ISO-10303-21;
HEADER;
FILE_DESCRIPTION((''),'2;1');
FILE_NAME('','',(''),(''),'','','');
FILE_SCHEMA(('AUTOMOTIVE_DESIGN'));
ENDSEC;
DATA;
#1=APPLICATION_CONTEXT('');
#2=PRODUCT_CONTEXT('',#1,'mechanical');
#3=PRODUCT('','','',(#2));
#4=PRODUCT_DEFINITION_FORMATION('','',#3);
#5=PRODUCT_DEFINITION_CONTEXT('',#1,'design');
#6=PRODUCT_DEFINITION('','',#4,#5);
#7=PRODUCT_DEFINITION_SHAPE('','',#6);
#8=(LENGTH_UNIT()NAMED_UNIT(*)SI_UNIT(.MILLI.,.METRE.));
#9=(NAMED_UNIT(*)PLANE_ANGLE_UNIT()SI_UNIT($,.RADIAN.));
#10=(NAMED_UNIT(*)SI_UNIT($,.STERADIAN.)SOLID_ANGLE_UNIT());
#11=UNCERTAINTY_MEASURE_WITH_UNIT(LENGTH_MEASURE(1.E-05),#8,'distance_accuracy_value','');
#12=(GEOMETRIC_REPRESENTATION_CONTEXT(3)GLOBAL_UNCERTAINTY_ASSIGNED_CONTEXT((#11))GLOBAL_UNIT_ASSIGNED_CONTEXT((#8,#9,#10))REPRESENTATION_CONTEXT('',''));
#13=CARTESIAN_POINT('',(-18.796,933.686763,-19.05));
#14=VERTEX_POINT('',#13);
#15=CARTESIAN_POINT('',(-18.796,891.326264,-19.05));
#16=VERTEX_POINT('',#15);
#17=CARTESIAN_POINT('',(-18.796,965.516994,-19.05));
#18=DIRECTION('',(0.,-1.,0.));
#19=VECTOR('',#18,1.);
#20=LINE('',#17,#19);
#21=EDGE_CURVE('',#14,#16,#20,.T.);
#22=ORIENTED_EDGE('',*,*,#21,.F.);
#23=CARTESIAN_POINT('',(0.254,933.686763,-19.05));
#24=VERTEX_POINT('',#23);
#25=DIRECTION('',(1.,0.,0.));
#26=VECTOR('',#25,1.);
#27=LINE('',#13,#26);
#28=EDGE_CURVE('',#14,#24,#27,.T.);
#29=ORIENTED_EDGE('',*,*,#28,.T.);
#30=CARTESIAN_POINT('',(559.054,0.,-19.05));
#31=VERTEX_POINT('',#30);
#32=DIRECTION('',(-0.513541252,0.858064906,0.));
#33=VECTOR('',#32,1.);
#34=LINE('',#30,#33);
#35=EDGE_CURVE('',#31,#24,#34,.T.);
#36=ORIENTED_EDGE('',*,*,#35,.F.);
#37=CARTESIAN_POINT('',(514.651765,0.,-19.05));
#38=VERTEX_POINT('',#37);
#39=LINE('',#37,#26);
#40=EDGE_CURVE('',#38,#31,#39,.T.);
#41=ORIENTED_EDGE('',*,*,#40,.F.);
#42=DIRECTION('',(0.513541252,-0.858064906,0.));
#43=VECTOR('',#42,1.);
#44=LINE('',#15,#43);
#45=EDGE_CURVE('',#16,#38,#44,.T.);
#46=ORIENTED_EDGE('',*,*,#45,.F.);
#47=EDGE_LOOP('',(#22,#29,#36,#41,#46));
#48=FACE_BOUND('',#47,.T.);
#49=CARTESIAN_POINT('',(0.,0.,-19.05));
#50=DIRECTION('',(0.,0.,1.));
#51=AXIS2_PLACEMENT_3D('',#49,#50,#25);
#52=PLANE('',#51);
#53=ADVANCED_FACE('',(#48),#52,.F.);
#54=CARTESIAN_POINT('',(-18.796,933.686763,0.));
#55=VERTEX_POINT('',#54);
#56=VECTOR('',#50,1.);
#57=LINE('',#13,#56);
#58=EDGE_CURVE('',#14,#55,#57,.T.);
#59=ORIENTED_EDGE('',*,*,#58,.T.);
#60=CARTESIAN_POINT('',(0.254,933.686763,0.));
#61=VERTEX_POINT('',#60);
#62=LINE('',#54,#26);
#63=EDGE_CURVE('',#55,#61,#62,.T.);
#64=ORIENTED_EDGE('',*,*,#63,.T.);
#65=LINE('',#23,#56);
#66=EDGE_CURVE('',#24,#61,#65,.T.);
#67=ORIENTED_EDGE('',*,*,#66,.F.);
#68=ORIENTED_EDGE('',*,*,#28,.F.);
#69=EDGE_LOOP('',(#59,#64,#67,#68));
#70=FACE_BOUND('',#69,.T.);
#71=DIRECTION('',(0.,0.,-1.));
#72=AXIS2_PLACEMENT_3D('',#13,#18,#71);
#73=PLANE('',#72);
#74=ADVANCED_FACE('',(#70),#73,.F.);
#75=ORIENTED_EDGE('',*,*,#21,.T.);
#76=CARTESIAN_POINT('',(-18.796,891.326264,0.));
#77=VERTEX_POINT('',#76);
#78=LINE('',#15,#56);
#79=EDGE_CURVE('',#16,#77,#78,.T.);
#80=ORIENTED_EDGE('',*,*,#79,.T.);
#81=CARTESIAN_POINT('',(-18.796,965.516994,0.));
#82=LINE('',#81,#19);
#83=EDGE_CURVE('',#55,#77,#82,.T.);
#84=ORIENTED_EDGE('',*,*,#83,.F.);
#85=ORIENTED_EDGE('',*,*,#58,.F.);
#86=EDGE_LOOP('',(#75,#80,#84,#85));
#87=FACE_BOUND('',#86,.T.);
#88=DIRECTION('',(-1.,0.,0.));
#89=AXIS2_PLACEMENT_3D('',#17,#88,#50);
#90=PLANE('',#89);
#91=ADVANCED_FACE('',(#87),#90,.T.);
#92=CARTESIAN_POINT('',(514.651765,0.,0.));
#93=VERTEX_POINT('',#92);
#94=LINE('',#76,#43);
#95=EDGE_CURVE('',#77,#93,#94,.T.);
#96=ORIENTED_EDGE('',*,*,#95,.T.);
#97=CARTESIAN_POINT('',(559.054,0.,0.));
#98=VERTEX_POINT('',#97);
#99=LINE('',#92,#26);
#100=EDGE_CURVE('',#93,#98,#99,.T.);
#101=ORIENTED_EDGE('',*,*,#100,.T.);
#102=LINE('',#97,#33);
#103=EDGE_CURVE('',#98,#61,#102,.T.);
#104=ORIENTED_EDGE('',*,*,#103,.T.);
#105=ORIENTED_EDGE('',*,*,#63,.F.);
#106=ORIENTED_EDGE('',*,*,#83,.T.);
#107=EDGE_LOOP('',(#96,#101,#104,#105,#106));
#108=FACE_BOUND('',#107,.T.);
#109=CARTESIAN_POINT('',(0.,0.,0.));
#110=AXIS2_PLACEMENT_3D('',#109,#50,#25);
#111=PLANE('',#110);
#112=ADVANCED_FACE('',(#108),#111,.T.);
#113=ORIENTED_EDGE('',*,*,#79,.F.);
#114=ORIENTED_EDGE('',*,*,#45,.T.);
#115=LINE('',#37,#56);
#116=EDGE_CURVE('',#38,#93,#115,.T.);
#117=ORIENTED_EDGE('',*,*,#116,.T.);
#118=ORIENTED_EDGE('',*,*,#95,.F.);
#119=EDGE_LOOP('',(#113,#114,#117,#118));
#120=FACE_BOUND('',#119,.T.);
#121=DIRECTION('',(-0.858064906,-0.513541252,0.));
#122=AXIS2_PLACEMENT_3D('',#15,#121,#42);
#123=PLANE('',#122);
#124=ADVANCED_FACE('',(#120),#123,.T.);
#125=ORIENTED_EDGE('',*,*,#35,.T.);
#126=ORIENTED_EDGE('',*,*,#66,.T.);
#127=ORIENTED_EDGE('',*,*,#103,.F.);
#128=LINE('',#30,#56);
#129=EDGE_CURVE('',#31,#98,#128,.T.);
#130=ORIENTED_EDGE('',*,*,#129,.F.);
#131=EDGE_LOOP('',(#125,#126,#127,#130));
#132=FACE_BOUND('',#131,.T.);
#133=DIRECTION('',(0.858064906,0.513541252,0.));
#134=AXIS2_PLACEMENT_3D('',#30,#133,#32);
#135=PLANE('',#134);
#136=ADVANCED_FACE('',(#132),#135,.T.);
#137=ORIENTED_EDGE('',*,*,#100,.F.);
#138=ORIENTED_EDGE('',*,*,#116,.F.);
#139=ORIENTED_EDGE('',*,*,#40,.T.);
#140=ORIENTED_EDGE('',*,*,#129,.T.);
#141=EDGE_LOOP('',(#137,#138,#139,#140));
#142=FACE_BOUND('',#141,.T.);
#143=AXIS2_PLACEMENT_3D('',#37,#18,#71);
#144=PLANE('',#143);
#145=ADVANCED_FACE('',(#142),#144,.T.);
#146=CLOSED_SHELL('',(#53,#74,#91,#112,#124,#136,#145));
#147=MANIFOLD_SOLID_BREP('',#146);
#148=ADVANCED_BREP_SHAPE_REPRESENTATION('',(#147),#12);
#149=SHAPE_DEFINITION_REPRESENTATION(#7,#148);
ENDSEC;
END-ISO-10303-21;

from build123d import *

# Parameters (mm, degrees)
BOSS_EXTRUDE1_DEPTH = 19.05
CUT_EXTRUDE1_DEPTH  = 20.05


with BuildPart() as part:
    # Sketch1 → Boss-Extrude1 (new body)
    with BuildSketch(Plane.XY):
        Polygon((559.054, 0), (-18.796, 965.516993591), (-18.796, 891.326264322), (514.651764521, 0), align=None)
    extrude(amount=-BOSS_EXTRUDE1_DEPTH)

    # Sketch2 → Cut-Extrude1 (cut, through all)
    with BuildSketch(Plane.XY):
        Polygon((-18.796, 965.516993591), (-18.796, 933.686763034), (0.254, 933.686763034), align=None)
    extrude(amount=-CUT_EXTRUDE1_DEPTH, mode=Mode.SUBTRACT)


solid = part.part
